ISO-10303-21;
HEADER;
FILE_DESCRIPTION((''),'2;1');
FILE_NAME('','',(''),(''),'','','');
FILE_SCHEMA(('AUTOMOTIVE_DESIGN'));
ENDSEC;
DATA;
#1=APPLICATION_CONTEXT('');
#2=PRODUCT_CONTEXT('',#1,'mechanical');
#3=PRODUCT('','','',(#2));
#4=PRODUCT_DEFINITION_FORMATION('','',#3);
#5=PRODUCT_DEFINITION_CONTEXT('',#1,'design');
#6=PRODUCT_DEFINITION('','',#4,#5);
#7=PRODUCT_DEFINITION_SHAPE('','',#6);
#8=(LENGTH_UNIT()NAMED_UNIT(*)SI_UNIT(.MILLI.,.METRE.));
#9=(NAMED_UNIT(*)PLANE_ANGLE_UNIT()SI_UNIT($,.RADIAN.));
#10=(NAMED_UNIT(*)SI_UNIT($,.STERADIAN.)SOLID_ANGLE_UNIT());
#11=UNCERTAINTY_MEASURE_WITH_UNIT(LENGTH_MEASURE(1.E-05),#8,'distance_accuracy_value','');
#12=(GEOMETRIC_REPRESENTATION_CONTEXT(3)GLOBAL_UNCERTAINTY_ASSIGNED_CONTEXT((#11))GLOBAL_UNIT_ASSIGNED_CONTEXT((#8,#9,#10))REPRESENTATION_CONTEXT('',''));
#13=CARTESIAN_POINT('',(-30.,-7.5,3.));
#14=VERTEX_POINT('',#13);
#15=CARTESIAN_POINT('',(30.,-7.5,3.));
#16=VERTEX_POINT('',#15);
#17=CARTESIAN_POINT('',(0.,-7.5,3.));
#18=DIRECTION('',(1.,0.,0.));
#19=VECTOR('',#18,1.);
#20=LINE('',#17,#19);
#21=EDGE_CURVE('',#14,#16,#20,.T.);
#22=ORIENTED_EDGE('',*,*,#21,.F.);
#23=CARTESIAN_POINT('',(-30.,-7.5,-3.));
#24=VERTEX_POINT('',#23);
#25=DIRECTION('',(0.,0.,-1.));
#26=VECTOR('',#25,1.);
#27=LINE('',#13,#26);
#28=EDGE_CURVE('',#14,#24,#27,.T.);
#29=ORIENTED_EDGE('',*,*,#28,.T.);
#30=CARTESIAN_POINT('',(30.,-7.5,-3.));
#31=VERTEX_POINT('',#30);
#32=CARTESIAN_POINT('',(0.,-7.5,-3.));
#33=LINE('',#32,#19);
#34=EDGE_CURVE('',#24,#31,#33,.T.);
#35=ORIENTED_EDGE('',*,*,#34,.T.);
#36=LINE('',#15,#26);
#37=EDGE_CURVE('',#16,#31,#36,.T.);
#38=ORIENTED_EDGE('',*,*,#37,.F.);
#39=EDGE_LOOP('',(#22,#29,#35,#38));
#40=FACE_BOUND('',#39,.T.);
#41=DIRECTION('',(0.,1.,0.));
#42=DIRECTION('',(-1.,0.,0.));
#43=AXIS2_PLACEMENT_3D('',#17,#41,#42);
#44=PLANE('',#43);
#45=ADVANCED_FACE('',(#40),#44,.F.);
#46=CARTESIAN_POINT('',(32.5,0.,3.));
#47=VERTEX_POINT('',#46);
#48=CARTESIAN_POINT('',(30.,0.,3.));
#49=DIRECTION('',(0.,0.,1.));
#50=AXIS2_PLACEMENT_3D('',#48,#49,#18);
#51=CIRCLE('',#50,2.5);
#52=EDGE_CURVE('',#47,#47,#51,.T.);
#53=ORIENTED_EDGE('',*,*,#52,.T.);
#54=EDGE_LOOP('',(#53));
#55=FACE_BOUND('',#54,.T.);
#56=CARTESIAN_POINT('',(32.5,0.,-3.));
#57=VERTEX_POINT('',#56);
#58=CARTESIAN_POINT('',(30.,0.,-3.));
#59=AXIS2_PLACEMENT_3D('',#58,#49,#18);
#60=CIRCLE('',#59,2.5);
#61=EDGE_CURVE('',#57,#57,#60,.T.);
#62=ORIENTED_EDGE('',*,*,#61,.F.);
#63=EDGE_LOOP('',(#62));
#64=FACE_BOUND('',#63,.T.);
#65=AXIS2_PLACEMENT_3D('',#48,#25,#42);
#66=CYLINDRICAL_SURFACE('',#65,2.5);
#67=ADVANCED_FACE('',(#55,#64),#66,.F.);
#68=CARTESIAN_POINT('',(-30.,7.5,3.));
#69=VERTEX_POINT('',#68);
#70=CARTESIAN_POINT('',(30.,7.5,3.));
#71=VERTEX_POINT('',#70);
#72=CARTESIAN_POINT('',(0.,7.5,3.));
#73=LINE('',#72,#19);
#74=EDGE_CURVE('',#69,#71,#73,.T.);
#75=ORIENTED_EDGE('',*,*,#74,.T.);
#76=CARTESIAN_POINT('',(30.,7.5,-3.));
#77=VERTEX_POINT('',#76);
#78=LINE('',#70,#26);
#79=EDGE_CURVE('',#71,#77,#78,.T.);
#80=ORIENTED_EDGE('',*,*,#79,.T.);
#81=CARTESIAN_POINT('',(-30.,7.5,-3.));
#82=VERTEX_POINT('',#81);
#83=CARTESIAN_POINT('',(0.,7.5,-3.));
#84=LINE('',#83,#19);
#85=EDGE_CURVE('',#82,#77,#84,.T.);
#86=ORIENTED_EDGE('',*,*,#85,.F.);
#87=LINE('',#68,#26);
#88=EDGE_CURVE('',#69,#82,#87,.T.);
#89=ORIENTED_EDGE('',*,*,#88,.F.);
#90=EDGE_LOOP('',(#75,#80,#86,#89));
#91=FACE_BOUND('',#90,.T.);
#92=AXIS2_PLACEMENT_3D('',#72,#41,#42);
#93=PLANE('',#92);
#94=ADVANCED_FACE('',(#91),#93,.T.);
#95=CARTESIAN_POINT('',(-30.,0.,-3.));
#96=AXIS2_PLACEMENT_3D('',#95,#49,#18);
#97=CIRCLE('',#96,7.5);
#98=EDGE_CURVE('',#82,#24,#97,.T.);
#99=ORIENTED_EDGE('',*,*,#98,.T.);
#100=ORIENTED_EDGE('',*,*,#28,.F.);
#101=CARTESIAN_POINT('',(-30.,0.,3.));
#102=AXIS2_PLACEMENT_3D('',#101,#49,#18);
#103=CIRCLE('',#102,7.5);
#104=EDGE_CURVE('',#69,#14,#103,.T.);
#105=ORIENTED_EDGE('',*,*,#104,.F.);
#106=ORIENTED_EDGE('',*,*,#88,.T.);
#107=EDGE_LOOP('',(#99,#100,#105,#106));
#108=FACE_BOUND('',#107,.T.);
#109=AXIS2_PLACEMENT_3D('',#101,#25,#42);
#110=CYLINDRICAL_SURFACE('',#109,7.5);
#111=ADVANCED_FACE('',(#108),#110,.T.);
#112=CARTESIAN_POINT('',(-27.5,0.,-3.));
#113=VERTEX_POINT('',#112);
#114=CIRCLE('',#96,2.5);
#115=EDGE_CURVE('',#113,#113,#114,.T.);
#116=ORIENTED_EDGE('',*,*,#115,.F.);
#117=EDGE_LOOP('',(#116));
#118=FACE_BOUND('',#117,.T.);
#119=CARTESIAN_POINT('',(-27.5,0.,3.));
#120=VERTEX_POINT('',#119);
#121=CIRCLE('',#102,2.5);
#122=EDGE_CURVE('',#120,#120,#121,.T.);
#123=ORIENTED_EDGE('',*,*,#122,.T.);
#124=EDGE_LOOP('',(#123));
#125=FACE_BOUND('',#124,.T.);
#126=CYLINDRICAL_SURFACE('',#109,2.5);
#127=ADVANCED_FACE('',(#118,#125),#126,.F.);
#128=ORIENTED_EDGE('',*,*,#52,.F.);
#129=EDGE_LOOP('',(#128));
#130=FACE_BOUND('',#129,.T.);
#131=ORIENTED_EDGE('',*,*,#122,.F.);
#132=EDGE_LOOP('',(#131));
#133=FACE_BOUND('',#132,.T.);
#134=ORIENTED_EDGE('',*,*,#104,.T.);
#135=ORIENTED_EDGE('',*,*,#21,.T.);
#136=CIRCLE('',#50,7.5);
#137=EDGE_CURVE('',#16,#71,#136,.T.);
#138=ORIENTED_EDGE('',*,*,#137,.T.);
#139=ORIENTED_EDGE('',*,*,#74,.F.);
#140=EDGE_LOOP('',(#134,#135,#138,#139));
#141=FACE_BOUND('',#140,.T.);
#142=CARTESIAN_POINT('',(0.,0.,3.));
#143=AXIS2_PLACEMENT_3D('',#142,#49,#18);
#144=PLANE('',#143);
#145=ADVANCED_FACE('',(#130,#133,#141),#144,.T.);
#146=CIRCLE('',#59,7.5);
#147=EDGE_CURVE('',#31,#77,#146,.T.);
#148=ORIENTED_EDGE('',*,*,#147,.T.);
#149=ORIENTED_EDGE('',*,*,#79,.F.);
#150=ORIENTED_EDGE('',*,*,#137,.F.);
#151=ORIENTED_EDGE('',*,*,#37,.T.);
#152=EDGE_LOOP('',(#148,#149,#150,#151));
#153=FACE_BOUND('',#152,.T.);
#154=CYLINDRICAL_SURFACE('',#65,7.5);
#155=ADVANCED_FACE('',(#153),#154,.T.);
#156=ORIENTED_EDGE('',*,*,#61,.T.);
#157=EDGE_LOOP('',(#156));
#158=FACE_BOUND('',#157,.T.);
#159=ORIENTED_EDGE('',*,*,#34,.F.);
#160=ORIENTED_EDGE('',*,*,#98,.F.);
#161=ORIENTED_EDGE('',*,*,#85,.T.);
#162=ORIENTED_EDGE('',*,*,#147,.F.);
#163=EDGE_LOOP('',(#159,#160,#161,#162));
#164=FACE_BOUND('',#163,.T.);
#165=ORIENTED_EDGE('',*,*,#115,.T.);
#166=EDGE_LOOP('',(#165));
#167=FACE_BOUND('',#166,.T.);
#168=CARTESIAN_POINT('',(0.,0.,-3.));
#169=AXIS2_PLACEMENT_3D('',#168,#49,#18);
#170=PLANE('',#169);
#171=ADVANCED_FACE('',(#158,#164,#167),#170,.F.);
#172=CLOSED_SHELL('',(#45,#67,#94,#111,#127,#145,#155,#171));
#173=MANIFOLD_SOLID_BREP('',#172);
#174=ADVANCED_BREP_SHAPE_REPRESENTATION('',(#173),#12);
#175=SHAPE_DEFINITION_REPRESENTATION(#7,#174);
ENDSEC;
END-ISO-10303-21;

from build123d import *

# Parameters (mm, degrees)
SKETCH1_R           = 2.5
BOSS_EXTRUDE1_DEPTH = 3


with BuildPart() as part:
    # Sketch1 → Boss-Extrude1 (new, symmetric)
    with BuildSketch(Plane.XY):
        with BuildLine():
            Line((-30, 7.5), (30, 7.5))
            ThreePointArc((30, 7.5), (37.5, 0), (30, -7.5))
            Line((30, -7.5), (-30, -7.5))
            ThreePointArc((-30, -7.5), (-37.5, 0), (-30, 7.5))
        make_face()
        with Locations((-30, 0)):
            Circle(SKETCH1_R, mode=Mode.SUBTRACT)
        with Locations((30, 0)):
            Circle(SKETCH1_R, mode=Mode.SUBTRACT)
    extrude(amount=BOSS_EXTRUDE1_DEPTH, both=True)


solid = part.part
